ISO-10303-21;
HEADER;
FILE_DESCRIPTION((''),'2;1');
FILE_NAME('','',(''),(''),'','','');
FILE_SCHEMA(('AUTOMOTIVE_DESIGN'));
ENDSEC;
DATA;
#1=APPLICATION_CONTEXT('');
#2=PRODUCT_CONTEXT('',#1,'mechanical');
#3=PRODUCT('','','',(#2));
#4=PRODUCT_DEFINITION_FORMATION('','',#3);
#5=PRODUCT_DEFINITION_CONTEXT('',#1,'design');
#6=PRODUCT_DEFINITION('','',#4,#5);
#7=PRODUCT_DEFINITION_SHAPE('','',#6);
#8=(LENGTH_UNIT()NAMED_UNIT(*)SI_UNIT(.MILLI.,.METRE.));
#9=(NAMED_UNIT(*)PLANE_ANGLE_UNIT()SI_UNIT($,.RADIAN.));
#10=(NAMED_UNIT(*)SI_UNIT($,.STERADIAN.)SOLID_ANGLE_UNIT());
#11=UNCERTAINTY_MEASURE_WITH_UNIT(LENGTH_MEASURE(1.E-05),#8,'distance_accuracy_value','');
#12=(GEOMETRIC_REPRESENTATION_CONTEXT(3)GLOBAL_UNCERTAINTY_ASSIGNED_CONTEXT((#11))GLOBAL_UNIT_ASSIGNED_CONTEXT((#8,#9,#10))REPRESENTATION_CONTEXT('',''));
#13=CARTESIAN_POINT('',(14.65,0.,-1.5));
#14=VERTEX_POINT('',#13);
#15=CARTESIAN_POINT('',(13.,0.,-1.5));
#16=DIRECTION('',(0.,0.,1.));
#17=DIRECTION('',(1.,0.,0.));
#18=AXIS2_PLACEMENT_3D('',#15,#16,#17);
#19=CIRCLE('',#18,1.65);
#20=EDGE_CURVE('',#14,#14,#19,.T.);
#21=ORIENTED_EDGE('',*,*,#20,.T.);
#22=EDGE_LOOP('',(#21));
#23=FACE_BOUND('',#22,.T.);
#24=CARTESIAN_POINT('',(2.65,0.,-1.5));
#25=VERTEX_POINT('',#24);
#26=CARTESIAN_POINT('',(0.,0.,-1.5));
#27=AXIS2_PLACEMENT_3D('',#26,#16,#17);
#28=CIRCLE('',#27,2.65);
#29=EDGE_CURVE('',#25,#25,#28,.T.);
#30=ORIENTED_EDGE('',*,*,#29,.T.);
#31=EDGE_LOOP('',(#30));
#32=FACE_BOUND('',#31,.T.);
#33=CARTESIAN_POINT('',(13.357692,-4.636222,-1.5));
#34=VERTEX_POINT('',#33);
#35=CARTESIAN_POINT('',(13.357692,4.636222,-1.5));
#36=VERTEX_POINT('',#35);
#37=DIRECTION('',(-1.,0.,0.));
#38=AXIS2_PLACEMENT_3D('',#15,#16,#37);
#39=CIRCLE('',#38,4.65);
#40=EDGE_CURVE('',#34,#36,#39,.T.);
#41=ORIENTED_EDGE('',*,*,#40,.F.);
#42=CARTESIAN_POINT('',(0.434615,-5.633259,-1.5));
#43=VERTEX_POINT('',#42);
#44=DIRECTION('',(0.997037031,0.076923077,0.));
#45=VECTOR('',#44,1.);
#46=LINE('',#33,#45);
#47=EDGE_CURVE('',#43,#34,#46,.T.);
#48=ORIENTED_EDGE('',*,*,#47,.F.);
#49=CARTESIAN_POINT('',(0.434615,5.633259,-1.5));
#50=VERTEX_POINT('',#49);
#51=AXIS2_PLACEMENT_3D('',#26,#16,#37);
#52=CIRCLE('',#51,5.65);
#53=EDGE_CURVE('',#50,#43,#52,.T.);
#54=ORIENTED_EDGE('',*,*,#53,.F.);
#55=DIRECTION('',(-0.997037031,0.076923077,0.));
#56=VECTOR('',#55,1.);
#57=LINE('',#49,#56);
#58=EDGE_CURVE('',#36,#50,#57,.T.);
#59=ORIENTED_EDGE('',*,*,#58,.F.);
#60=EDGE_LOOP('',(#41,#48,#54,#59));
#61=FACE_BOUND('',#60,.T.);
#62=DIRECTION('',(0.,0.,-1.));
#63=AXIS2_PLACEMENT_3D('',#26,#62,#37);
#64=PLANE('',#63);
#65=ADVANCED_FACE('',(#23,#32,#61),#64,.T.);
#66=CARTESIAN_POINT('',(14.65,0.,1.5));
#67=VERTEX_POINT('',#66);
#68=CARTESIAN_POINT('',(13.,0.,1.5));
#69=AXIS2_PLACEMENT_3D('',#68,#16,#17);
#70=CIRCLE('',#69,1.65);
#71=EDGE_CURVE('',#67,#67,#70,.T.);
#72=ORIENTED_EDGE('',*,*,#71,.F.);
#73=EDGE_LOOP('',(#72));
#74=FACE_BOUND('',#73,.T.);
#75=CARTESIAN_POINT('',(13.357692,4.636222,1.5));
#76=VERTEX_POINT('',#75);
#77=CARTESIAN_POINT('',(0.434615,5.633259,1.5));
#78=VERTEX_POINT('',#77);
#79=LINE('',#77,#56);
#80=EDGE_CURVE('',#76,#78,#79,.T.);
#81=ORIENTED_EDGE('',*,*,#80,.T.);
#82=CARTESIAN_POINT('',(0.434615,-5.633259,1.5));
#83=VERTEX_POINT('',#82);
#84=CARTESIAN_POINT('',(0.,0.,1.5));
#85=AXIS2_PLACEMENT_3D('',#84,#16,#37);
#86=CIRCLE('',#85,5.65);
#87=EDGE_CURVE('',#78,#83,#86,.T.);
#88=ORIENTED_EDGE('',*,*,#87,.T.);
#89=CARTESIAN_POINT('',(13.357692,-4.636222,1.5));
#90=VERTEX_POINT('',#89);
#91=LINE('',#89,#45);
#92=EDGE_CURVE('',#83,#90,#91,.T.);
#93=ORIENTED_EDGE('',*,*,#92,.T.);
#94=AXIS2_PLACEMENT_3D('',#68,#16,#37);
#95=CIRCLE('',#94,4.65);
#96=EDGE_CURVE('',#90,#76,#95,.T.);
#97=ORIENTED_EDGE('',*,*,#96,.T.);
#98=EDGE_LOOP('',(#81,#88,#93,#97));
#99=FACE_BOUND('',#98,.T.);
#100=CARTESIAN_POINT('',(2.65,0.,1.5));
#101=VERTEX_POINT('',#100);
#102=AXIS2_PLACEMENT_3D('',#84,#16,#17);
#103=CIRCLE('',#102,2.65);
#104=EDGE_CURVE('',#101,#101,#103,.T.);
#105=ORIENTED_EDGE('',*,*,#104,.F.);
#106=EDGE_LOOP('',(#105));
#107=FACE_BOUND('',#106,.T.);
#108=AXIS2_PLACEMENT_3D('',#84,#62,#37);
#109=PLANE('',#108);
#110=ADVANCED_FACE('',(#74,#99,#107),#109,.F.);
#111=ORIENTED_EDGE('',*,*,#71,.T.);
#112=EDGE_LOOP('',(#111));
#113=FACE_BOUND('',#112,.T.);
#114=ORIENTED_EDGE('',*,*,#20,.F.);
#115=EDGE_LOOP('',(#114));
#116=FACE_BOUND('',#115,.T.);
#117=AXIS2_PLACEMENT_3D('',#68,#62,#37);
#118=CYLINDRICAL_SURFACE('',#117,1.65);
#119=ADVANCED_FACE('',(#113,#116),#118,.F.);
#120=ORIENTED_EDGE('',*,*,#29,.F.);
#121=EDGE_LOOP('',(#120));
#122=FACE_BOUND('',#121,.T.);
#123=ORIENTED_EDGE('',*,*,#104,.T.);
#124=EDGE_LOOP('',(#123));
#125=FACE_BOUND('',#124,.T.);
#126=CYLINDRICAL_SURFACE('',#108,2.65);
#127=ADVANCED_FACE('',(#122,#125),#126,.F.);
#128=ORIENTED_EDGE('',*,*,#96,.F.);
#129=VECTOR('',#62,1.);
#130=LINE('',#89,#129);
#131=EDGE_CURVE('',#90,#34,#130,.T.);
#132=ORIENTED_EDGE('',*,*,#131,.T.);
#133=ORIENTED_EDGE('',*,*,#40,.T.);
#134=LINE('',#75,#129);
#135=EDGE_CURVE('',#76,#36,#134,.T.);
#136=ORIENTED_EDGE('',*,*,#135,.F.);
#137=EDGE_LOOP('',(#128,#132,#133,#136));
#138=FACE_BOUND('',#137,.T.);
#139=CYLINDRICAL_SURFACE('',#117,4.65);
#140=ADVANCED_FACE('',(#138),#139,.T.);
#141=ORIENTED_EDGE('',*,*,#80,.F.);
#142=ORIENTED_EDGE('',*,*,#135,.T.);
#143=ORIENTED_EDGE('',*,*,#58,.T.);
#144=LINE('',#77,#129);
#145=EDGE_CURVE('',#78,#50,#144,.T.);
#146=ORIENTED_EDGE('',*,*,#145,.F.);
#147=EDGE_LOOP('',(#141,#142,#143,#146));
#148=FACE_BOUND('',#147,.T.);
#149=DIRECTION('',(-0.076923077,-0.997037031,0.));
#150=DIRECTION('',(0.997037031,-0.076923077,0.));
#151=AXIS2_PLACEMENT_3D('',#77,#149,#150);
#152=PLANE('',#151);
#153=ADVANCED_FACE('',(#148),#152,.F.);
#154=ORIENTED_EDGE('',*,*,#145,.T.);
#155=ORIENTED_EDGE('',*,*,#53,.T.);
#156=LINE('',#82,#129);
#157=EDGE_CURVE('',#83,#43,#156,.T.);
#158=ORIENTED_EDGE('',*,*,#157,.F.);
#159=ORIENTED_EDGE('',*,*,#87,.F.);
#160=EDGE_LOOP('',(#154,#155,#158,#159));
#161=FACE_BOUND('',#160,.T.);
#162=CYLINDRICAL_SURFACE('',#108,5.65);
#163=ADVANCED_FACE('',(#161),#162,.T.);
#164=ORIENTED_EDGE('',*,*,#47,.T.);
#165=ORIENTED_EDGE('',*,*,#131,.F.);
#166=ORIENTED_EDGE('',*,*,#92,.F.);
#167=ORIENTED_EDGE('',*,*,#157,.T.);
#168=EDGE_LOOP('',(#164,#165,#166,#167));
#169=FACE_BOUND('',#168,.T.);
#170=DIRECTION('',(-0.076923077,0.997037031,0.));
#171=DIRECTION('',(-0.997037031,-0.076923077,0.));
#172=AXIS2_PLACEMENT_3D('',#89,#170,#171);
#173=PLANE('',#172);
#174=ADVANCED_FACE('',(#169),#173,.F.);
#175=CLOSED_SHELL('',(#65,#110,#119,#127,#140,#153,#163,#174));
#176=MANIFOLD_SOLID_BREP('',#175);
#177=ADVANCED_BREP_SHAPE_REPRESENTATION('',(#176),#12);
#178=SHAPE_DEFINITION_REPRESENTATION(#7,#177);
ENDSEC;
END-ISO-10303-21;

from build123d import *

# Parameters (mm, degrees)
SKETCH1_R           = 2.65
SKETCH1_R_2         = 1.65
BOSS_EXTRUDE1_DEPTH = 1.5


with BuildPart() as part:
    # Sketch1 → Boss-Extrude1 (new, symmetric)
    with BuildSketch(Plane.XY):
        with BuildLine():
            Line((0.434615385, 5.633259222), (13.357692308, 4.636222192))
            ThreePointArc((13.357692308, 4.636222192), (17.65, 0), (13.357692308, -4.636222192))
            Line((13.357692308, -4.636222192), (0.434615385, -5.633259222))
            ThreePointArc((0.434615385, -5.633259222), (-5.65, 0), (0.434615385, 5.633259222))
        make_face()
        Circle(SKETCH1_R, mode=Mode.SUBTRACT)
        with Locations((13, 0)):
            Circle(SKETCH1_R_2, mode=Mode.SUBTRACT)
    extrude(amount=BOSS_EXTRUDE1_DEPTH, both=True)


solid = part.part
